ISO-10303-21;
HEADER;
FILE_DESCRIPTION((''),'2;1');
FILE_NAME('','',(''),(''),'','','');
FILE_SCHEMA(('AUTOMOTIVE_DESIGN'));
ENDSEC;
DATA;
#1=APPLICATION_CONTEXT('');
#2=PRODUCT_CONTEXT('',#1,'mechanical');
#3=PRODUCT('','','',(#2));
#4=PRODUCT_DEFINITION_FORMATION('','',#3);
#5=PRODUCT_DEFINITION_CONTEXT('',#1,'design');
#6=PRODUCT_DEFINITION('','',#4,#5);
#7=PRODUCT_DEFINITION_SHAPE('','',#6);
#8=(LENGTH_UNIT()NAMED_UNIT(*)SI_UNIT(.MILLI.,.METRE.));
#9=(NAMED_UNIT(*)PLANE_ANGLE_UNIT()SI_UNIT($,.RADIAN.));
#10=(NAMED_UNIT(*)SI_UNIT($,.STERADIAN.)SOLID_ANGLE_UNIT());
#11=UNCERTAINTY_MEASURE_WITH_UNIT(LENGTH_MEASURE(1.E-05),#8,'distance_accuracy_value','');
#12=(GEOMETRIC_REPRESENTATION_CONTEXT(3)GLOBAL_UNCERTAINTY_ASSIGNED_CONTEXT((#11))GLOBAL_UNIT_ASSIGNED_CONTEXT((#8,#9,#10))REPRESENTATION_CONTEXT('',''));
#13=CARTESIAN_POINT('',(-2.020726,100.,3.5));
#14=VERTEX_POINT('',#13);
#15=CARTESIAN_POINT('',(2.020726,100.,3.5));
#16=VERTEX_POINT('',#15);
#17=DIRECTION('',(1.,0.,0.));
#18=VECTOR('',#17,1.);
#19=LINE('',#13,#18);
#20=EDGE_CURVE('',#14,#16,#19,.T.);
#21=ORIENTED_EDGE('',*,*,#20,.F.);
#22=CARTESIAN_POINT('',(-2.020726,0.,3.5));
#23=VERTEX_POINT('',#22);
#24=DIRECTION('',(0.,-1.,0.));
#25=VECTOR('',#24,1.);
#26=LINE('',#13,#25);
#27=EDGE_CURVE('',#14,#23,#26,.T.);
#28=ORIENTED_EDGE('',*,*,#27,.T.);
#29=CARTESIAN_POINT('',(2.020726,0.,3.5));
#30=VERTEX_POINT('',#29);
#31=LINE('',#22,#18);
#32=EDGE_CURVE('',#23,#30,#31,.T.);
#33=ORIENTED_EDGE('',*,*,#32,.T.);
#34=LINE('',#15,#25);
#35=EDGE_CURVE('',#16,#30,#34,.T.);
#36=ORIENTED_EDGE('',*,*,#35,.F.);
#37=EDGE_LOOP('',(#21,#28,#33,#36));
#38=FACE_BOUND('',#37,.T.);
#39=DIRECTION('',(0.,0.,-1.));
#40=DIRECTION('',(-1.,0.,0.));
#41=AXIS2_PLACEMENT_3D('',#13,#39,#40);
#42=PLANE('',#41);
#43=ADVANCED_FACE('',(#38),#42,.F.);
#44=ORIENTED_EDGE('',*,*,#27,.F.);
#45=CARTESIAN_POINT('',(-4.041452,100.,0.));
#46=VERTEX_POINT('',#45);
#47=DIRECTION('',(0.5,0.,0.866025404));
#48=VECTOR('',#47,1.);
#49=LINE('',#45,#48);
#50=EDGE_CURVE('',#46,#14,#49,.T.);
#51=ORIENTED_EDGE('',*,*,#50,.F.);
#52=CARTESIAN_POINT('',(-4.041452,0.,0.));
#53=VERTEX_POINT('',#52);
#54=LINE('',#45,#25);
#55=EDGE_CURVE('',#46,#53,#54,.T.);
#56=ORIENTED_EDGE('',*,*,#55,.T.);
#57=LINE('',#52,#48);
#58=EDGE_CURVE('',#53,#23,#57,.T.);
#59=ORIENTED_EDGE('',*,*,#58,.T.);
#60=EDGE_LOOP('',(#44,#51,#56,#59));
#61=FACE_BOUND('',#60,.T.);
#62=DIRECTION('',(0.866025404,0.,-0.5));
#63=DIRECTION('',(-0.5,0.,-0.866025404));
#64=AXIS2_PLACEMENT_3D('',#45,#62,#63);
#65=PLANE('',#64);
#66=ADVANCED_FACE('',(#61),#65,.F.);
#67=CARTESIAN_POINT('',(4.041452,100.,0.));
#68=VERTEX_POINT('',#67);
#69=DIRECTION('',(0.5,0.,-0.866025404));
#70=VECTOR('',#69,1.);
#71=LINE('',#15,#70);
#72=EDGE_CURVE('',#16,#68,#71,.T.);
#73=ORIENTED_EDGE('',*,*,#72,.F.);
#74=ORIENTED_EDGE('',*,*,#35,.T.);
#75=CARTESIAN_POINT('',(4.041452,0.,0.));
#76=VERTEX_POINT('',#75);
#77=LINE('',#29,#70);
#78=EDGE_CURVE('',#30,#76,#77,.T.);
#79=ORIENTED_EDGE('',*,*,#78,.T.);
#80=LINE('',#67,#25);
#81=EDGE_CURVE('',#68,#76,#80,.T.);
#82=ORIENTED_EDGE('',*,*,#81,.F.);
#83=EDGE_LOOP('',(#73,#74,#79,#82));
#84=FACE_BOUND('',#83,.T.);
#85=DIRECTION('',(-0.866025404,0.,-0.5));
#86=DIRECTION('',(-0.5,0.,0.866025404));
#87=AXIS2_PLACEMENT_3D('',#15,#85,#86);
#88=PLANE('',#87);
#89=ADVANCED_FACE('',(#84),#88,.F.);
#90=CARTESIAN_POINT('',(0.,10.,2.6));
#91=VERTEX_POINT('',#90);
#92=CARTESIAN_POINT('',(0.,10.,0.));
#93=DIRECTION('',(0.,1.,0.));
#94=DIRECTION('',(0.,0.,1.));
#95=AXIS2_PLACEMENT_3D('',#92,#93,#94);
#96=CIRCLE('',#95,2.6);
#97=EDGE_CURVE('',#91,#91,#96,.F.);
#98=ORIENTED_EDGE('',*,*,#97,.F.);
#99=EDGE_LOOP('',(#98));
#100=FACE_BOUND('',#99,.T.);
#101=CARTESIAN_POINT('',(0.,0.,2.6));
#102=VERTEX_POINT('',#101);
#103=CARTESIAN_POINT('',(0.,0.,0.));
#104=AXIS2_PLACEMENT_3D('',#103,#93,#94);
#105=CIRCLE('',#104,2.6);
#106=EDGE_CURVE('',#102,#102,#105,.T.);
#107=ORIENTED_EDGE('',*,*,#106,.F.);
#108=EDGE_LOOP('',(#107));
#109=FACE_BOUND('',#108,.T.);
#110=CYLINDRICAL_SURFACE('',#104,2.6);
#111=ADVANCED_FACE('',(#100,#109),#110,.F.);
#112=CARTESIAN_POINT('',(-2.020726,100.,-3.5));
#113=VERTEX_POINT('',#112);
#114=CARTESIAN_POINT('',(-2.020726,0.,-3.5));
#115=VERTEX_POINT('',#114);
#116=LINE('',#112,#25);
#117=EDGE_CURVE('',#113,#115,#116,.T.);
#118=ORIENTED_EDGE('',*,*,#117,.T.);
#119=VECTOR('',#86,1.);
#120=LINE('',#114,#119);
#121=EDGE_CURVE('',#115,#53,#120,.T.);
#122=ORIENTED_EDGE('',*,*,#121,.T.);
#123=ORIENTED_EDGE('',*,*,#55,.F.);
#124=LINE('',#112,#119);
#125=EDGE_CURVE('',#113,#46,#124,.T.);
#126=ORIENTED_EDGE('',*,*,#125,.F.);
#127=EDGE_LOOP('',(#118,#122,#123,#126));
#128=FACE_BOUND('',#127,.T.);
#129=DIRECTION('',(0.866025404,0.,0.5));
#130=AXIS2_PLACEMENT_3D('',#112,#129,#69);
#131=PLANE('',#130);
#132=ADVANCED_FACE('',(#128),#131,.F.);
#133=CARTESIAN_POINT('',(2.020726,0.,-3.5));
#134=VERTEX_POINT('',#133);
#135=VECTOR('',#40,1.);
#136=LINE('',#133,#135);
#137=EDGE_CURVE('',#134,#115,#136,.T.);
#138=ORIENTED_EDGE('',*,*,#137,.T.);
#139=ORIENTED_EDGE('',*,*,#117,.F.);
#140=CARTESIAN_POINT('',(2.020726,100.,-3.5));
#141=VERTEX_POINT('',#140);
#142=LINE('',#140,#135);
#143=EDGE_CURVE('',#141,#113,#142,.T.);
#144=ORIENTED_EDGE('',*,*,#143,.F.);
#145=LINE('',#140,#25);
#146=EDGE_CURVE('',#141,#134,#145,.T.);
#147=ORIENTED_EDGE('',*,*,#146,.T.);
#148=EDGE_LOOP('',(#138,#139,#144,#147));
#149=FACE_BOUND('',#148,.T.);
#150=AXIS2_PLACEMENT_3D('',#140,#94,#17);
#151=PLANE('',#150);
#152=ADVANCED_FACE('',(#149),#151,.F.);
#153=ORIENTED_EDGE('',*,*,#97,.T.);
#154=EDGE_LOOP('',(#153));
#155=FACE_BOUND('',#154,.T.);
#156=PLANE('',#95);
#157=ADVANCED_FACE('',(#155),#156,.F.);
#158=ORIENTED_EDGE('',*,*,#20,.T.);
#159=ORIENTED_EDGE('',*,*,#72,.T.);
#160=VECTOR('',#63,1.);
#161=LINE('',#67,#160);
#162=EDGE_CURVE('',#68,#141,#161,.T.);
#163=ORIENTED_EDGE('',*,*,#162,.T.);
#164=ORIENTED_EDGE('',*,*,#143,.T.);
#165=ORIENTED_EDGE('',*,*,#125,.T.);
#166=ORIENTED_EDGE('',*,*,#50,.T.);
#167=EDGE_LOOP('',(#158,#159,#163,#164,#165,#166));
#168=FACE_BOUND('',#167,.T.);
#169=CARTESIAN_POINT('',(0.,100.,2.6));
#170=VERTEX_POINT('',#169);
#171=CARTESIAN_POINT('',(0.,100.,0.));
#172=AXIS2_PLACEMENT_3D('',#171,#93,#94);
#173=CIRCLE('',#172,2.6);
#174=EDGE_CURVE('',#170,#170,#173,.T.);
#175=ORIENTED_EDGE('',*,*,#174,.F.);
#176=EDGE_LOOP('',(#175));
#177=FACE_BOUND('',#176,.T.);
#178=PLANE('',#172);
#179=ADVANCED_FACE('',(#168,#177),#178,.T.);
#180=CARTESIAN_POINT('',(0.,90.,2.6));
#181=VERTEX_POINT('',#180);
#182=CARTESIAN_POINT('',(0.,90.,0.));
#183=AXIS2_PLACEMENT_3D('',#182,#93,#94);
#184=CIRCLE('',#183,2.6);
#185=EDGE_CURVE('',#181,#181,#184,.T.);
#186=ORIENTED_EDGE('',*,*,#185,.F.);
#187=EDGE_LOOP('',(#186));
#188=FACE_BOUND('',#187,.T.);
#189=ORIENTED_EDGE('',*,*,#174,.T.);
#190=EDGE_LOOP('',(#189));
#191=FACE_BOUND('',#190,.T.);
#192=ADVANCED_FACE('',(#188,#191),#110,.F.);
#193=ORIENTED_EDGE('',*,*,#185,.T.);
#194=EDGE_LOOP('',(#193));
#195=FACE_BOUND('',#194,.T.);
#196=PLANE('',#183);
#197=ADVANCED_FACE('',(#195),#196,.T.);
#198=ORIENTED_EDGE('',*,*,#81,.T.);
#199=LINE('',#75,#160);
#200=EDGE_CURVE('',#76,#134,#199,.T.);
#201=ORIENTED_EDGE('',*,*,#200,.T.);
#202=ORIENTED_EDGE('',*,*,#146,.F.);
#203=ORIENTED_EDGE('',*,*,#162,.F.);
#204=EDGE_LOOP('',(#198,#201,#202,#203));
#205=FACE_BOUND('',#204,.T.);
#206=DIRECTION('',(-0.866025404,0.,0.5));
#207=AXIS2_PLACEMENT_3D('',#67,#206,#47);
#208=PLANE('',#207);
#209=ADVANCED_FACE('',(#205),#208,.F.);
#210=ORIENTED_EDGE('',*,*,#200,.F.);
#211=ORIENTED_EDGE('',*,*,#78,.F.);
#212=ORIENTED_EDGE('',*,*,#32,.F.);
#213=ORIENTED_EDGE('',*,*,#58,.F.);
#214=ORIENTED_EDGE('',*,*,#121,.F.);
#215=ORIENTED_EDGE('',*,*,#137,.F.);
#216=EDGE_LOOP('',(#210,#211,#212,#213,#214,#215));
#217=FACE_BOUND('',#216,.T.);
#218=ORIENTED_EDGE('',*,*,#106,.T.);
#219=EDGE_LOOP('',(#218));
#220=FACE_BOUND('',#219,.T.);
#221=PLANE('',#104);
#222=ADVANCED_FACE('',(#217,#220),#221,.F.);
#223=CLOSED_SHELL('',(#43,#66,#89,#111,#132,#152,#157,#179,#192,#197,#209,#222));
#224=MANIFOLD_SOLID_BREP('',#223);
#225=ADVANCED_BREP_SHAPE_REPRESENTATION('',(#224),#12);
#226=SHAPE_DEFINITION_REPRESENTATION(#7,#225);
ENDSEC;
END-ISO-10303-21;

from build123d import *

# Parameters (mm, degrees)
EXTRUDE_1_DEPTH     = 100
SKETCH_2_R          = 2.6
CUT_EXTRUDE_1_DEPTH = 101
SKETCH_3_R          = 2.6
EXTRUDE_2_DEPTH     = 80


with BuildPart() as part:
    # 草图1 → 凸台-拉伸1 (new body)
    with BuildSketch(Plane(origin=(0, 0, 0), x_dir=(1, 0, 0), z_dir=(0, 1, 0))):
        Polygon((4.041451884, 0), (2.020725942, 3.5), (-2.020725942, 3.5), (-4.041451884, 0), (-2.020725942, -3.5), (2.020725942, -3.5), align=None)
    extrude(amount=EXTRUDE_1_DEPTH)

    # 草图2 → 切除-拉伸1 (cut, through all)
    with BuildSketch(Plane(origin=(0, 100, 0), x_dir=(1, 0, 0), z_dir=(0, 1, 0))):
        Circle(SKETCH_2_R)
    extrude(amount=-CUT_EXTRUDE_1_DEPTH, mode=Mode.SUBTRACT)

    # 草图3 → 凸台-拉伸2 (add)
    with BuildSketch(Plane(origin=(0, 90, 0), x_dir=(1, 0, 0), z_dir=(0, 1, 0))):
        Circle(SKETCH_3_R)
    extrude(amount=-EXTRUDE_2_DEPTH)


solid = part.part
